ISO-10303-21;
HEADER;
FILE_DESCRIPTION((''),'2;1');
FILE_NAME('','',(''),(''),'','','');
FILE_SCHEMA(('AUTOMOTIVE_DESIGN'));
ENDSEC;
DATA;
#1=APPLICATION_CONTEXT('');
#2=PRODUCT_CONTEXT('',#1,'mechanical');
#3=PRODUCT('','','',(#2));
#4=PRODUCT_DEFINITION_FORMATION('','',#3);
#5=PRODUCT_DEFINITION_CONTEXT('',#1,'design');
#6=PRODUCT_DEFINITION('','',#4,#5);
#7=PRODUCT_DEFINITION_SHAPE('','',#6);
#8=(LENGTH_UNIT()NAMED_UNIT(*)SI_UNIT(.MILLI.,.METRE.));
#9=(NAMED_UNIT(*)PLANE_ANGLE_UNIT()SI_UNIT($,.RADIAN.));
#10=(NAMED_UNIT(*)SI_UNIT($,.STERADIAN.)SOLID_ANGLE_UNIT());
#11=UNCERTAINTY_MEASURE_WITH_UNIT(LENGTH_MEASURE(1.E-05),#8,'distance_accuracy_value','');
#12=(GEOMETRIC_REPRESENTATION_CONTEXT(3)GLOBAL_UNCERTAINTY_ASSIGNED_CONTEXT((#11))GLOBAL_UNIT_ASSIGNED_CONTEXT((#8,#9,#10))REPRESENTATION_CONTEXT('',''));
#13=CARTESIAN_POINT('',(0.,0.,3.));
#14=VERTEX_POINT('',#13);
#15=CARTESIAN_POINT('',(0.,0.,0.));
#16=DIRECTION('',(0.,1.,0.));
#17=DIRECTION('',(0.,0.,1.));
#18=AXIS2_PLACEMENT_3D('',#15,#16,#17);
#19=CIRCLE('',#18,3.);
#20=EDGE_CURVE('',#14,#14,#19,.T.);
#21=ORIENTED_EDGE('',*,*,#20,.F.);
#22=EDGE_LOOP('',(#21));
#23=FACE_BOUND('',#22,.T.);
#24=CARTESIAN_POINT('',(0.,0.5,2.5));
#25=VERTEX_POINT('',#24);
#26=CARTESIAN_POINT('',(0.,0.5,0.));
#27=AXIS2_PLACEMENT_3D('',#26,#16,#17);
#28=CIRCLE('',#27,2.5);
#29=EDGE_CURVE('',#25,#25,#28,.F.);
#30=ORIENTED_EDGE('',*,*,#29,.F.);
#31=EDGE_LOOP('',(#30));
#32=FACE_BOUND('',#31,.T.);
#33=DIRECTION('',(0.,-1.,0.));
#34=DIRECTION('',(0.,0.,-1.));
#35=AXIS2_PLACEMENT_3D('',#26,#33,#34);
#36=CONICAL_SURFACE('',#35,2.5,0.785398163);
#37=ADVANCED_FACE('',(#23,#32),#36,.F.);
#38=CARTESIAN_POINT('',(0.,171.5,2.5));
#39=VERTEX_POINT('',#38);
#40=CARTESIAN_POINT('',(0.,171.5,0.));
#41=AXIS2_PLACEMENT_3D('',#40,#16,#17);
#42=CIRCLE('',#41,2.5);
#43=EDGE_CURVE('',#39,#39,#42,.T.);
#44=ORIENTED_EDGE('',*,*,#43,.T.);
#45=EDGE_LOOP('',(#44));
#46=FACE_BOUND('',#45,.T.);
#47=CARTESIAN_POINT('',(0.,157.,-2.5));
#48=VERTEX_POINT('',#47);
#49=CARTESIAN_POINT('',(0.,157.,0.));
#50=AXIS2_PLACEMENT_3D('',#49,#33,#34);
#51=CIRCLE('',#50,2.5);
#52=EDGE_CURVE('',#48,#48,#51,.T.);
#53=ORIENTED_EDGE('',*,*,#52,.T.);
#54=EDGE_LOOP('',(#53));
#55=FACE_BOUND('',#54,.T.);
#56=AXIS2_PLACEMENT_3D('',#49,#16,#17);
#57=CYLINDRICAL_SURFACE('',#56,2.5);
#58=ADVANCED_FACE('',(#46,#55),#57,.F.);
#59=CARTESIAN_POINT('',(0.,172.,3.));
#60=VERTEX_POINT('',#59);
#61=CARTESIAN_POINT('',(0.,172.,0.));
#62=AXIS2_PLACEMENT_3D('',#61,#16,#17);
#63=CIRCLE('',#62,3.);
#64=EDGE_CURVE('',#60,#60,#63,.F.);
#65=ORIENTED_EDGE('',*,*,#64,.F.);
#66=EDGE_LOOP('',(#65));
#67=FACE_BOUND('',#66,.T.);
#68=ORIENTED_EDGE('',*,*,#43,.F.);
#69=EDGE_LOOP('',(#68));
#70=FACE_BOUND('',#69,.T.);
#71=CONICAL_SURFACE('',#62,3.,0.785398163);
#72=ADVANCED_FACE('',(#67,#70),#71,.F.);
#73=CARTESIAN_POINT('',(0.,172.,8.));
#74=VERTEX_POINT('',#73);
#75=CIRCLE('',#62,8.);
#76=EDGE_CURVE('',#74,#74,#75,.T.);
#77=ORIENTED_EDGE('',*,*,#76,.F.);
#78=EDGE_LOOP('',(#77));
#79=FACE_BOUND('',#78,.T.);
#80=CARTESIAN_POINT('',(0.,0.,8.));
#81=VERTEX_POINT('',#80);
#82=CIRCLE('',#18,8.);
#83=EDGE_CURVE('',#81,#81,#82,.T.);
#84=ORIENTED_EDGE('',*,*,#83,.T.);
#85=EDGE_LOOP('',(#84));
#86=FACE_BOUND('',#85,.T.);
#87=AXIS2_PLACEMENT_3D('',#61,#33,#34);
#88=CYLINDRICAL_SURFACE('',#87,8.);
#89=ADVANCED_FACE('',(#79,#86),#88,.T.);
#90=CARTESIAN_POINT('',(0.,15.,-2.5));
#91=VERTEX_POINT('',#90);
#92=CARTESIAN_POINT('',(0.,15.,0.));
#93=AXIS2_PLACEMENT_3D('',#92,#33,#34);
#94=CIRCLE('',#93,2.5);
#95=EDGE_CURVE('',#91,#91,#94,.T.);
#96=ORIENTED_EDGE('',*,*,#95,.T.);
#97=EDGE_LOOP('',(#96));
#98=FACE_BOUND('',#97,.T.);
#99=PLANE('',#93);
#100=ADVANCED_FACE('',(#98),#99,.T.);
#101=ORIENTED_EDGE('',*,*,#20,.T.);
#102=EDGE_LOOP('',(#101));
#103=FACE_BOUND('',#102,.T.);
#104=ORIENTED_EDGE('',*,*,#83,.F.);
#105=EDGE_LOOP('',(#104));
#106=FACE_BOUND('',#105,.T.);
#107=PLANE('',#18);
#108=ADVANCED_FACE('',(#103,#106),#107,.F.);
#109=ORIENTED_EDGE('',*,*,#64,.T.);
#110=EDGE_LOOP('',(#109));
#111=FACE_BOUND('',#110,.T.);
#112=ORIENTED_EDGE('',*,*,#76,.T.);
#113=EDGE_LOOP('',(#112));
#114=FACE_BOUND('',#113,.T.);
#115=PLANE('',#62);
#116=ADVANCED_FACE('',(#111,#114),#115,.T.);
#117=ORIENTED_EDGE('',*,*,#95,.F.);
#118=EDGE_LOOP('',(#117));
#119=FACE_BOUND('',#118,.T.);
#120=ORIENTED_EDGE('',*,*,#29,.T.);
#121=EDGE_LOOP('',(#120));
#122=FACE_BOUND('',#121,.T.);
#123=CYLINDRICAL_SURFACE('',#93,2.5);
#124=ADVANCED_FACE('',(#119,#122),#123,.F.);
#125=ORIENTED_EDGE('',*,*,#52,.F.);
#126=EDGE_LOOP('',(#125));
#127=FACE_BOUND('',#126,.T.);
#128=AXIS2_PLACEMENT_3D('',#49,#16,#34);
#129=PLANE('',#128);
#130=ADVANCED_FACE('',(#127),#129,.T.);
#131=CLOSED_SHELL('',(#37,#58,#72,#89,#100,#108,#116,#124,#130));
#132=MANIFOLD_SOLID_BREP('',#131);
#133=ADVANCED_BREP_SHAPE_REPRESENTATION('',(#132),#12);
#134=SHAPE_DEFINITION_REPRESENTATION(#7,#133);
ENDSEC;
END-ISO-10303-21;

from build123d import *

# Parameters (mm, degrees)
SKETCH1_R           = 8
BOSS_EXTRUDE1_DEPTH = 172
SKETCH2_R           = 2.5
CUT_EXTRUDE1_DEPTH  = 15
CHAMFER1_SIZE       = 0.5


with BuildPart() as part:
    # Sketch1 → Boss-Extrude1 (new body)
    with BuildSketch(Plane(origin=(0, 0, 0), x_dir=(1, 0, 0), z_dir=(0, 1, 0))):
        Circle(SKETCH1_R)
    extrude(amount=BOSS_EXTRUDE1_DEPTH)

    # Sketch2 → Cut-Extrude1 (cut)
    with BuildSketch(Plane.XZ):
        Circle(SKETCH2_R)
    cut_extrude1 = extrude(amount=-CUT_EXTRUDE1_DEPTH, mode=Mode.SUBTRACT)

    # Mirror1: Cut-Extrude1 across plane
    add(cut_extrude1.mirror(Plane.ZX.offset(86)), mode=Mode.SUBTRACT)

    # Chamfer1
    chamfer1_edges = [part.edges().sort_by_distance(p)[0] for p in [
        (-2.5, 0, 0),
        (-2.5, 172, 0),
    ]]
    chamfer(chamfer1_edges, length=CHAMFER1_SIZE)


solid = part.part
